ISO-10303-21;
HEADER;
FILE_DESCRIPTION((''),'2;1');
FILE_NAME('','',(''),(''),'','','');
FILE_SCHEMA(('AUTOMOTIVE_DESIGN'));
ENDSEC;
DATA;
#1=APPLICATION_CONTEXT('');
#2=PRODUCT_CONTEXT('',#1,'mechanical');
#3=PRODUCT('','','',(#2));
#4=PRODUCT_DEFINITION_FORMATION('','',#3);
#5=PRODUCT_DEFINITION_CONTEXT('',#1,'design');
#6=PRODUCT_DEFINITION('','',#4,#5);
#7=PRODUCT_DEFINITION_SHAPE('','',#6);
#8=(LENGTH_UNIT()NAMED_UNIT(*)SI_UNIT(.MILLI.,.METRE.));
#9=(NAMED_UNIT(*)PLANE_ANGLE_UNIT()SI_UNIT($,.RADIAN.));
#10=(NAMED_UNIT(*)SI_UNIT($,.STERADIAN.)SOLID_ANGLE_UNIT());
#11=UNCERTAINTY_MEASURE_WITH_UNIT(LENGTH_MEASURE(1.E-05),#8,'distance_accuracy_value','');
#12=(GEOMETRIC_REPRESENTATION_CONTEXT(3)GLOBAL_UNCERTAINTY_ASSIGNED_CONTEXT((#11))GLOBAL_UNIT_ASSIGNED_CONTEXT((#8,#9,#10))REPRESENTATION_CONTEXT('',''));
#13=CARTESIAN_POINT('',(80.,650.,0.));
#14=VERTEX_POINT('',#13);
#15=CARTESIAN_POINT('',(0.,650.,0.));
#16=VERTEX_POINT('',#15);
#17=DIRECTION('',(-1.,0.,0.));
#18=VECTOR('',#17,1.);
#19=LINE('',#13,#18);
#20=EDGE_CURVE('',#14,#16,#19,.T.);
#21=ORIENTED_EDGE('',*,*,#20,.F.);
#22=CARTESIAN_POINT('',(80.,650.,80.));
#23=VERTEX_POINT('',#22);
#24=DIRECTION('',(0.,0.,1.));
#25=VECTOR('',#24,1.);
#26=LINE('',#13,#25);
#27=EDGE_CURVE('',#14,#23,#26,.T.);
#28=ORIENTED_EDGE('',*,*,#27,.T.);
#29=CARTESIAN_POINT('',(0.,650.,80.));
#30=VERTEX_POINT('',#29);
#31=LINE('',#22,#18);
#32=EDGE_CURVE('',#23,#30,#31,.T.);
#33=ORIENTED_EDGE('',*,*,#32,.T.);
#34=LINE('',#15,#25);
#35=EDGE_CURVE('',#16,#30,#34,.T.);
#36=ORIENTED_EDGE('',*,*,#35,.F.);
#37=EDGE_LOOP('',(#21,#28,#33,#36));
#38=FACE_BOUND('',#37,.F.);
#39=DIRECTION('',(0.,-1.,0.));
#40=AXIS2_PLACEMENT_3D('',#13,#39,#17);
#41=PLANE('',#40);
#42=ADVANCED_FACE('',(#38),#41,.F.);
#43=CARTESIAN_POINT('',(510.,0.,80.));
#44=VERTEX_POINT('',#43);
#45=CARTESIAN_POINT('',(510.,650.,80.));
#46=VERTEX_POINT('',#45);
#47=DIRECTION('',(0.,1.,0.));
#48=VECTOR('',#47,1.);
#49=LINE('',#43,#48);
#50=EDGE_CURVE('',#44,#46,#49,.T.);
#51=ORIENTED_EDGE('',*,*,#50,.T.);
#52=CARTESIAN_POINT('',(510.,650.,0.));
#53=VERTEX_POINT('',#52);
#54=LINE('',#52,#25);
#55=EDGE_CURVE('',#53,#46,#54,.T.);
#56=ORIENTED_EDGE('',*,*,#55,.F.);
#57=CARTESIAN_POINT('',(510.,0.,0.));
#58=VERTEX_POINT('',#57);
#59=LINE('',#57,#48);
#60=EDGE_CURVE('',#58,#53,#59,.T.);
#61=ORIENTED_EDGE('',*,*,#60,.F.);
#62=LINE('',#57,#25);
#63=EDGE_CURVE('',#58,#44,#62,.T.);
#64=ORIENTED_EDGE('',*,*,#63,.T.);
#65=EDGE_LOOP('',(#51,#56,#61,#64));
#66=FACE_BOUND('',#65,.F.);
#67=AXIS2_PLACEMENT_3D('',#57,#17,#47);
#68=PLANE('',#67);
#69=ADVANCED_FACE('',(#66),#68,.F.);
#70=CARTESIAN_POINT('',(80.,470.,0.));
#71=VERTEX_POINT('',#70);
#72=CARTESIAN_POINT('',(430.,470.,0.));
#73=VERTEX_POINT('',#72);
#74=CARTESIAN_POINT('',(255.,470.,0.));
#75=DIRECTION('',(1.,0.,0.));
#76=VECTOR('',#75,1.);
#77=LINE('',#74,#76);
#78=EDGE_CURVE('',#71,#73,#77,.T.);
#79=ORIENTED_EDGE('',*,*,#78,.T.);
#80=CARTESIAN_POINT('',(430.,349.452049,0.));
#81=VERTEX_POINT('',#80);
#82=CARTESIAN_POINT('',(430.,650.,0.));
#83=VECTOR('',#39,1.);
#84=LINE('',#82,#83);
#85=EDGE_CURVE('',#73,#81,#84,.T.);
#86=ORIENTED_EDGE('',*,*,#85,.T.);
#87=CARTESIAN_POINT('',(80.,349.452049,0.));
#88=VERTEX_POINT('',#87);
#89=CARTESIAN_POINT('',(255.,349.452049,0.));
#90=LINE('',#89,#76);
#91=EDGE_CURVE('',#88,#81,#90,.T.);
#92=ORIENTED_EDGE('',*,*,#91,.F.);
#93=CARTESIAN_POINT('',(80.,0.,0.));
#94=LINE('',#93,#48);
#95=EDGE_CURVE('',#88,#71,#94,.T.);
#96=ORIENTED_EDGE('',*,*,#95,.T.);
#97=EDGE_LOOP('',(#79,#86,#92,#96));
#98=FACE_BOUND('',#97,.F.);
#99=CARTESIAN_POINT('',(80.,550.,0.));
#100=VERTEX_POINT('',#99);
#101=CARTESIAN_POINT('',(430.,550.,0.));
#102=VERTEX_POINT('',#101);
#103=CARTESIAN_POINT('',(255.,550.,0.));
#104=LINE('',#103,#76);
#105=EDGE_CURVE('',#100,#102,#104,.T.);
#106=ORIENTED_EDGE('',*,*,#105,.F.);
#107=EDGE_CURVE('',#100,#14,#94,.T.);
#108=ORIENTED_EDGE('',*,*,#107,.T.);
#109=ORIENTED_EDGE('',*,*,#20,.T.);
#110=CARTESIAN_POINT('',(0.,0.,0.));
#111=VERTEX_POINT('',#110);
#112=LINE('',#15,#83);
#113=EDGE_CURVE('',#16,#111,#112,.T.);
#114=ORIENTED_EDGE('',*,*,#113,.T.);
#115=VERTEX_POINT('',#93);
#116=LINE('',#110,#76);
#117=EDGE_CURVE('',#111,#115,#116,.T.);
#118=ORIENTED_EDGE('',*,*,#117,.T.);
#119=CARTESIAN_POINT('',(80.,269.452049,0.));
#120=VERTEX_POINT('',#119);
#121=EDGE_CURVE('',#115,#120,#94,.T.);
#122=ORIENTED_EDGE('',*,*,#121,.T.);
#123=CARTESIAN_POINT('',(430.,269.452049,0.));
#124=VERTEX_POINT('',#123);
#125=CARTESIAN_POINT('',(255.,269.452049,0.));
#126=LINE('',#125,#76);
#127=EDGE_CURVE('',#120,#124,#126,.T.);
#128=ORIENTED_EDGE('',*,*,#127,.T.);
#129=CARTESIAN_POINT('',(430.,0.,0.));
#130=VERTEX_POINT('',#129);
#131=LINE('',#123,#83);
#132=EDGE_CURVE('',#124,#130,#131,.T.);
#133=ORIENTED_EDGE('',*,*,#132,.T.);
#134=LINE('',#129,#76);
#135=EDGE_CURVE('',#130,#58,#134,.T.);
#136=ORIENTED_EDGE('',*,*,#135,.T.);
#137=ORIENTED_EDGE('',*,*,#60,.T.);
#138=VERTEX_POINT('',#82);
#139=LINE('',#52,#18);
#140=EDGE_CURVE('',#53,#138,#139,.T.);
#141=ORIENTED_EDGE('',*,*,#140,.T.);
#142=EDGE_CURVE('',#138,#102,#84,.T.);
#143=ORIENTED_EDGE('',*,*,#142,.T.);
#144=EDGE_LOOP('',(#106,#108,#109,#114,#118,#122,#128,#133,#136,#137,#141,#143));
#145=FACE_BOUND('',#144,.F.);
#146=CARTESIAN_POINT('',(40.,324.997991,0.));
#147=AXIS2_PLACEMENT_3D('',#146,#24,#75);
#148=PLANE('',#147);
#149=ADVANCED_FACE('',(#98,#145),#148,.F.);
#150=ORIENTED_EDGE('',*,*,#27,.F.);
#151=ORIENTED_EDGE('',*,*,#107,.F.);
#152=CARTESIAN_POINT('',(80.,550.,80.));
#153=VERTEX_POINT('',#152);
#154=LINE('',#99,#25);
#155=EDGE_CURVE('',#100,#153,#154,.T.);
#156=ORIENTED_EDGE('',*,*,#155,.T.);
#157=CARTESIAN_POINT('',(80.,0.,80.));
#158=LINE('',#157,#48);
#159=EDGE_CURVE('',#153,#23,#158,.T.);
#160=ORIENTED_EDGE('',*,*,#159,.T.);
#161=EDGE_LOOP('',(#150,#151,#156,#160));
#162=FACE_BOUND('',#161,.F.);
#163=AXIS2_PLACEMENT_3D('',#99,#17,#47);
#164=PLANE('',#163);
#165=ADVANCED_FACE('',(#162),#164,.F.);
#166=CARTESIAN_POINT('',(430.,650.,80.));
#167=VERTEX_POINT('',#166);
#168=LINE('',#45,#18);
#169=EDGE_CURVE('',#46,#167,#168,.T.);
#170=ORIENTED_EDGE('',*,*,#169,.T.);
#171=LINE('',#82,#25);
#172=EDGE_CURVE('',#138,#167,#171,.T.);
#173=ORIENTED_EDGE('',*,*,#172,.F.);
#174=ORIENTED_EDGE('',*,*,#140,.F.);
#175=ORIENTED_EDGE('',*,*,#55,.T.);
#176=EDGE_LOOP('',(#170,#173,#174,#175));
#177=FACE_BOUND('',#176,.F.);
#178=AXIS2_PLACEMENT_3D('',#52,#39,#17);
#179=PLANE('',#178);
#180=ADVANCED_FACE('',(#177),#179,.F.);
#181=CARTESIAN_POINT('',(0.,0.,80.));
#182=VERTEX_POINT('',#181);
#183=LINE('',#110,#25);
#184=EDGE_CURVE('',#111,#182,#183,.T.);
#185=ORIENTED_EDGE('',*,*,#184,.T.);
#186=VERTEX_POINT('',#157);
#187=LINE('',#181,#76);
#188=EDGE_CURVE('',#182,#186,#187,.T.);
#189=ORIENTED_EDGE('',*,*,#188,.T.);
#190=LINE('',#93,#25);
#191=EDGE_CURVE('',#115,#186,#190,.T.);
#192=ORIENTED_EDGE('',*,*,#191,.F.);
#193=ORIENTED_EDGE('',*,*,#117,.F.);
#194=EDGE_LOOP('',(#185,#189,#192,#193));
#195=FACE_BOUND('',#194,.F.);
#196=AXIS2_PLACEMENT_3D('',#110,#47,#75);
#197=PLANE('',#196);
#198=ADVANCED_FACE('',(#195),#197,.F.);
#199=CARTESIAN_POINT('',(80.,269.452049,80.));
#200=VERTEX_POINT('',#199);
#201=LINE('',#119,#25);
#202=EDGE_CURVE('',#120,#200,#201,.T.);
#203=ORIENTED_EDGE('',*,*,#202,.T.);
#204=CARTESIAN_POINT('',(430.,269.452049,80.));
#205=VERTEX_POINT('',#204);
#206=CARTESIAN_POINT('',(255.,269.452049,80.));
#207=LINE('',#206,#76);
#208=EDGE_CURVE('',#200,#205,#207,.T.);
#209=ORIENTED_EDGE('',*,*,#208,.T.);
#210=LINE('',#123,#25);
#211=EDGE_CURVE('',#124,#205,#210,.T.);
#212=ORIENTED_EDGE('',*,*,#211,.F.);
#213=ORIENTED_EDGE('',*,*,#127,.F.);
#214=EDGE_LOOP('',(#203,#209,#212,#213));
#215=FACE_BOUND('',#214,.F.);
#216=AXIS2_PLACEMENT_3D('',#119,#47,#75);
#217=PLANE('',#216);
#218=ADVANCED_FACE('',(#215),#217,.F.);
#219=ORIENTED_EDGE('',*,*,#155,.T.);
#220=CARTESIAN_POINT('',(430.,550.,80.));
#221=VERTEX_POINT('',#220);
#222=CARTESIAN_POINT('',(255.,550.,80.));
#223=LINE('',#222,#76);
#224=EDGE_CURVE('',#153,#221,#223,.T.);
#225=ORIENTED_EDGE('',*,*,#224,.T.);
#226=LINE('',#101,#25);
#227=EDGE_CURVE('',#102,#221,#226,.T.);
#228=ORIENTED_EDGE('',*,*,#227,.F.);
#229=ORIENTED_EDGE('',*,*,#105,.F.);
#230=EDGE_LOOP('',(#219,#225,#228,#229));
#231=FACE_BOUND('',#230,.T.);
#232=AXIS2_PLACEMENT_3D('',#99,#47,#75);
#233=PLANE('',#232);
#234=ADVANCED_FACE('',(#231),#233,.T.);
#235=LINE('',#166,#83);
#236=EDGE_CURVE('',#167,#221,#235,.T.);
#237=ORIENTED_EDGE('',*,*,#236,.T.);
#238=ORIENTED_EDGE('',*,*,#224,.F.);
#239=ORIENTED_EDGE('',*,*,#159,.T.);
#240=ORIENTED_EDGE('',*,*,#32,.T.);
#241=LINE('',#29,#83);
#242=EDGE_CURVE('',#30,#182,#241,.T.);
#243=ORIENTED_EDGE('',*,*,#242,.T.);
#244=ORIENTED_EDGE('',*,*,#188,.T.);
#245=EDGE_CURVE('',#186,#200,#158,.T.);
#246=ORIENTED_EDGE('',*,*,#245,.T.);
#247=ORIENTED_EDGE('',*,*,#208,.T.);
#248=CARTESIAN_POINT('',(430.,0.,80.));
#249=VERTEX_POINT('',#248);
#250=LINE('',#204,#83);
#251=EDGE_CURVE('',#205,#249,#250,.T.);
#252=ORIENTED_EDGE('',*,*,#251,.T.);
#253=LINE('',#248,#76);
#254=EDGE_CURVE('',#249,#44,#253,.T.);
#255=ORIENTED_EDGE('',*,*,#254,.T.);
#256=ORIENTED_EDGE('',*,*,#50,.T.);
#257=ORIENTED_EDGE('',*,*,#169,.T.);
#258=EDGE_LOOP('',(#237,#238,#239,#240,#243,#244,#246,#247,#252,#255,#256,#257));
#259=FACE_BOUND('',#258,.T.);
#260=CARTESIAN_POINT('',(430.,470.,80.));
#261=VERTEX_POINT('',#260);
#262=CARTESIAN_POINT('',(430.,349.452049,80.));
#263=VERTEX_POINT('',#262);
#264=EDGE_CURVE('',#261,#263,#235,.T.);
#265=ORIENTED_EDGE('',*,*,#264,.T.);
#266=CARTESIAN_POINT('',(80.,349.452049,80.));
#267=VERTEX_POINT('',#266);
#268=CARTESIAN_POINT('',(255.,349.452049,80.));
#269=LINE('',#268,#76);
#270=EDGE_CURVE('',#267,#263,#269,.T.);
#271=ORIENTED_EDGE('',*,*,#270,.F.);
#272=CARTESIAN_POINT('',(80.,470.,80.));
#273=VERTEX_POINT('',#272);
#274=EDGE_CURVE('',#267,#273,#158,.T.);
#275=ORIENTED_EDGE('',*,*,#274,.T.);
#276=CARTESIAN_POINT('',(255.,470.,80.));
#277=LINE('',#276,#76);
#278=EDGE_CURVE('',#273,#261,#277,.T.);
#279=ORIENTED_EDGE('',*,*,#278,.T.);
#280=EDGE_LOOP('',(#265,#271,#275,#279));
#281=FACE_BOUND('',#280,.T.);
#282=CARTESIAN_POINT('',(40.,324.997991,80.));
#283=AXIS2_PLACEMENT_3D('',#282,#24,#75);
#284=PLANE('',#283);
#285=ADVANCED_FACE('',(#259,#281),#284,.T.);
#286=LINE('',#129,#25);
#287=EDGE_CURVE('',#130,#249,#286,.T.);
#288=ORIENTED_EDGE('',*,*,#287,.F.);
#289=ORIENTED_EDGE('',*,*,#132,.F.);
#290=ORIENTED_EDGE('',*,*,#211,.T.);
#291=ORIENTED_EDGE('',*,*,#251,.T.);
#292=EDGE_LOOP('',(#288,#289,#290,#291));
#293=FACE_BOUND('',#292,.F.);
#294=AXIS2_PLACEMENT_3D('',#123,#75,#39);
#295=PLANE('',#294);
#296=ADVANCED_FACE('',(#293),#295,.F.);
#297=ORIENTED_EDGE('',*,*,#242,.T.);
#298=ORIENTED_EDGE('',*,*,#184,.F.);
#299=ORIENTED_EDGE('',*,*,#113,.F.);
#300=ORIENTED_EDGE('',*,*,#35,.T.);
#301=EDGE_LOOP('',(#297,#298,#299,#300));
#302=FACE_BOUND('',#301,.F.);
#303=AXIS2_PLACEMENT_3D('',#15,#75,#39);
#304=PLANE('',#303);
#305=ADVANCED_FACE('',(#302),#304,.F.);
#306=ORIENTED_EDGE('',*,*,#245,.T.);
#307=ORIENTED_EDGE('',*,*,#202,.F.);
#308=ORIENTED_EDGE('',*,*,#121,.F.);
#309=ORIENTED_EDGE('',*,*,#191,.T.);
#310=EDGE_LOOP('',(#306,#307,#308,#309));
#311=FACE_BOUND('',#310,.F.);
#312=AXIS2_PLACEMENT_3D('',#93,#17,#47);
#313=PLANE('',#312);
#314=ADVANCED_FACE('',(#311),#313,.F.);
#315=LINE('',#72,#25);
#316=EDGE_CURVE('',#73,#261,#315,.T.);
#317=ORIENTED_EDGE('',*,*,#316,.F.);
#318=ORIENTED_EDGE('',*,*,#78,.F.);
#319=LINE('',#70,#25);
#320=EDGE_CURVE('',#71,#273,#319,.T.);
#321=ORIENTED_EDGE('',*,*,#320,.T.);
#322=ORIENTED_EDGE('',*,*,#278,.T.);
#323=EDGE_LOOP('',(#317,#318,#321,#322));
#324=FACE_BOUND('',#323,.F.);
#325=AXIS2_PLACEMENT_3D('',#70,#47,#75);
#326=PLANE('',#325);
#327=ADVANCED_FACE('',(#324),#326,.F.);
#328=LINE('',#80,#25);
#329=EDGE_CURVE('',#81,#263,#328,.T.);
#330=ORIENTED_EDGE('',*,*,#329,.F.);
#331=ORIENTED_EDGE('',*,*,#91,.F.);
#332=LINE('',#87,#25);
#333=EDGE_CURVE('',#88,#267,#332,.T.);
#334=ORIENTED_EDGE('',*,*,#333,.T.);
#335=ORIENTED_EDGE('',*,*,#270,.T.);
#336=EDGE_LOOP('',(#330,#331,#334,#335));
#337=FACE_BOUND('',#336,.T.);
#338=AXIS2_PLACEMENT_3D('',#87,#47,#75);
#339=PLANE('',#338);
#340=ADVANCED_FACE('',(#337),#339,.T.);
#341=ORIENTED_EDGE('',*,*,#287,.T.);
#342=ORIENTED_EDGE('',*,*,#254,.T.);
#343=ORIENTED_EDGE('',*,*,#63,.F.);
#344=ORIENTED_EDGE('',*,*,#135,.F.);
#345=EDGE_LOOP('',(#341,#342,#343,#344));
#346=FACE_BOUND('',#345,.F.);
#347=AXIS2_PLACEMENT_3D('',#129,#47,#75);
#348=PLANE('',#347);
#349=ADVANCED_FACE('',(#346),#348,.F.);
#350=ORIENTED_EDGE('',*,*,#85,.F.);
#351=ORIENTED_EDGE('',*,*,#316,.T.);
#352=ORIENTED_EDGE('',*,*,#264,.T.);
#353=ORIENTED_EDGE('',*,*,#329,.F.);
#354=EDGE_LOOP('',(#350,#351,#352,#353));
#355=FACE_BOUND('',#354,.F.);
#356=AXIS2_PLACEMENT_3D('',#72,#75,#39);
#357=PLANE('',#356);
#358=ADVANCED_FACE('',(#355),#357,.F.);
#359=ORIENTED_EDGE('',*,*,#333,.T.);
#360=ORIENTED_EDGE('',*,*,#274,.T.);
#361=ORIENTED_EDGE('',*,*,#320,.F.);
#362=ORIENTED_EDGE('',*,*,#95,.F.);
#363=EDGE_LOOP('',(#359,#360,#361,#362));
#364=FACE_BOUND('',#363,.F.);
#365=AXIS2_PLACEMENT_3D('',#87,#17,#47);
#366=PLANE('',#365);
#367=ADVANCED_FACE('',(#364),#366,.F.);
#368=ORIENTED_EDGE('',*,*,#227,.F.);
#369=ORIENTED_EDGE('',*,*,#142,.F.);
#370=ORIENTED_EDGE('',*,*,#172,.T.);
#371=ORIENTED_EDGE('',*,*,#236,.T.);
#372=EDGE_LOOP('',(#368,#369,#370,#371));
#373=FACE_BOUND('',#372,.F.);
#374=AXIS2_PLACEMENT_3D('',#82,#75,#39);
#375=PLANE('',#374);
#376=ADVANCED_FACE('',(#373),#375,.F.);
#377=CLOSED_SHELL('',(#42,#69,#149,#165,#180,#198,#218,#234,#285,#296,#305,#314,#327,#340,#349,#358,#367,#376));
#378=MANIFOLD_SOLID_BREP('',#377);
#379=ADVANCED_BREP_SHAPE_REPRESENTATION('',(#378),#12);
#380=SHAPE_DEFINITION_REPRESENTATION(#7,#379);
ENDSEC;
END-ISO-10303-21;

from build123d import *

# Parameters (mm, degrees)
F0_W     = 350
F0_H     = 80
F1_DEPTH = 80


with BuildPart() as f1:
    # F0 (on Top) → F1 (new body)
    with BuildSketch(Plane.XY):
        Polygon((0, 650), (0, 0), (80, 0), (80, 269.4520485401), (79.9472002188, 269.4520485401), (80, 349.4520485401), (80, 470), (80, 550), (80, 650), align=None)
        Polygon((79.9472002188, 269.4520485401), (80, 269.4520485401), (80, 349.4520485401), align=None)
        with Locations((255, 309.4520485401)):
            Rectangle(F0_W, F0_H)
        Polygon((430, 349.4520485401), (430, 269.4520485401), (430, 0), (510, 0), (510, 650), (430, 650), (430, 550), (430, 470), align=None)
        with Locations((255, 510)):
            Rectangle(F0_W, F0_H)
    extrude(amount=F1_DEPTH)


solid = f1.part
